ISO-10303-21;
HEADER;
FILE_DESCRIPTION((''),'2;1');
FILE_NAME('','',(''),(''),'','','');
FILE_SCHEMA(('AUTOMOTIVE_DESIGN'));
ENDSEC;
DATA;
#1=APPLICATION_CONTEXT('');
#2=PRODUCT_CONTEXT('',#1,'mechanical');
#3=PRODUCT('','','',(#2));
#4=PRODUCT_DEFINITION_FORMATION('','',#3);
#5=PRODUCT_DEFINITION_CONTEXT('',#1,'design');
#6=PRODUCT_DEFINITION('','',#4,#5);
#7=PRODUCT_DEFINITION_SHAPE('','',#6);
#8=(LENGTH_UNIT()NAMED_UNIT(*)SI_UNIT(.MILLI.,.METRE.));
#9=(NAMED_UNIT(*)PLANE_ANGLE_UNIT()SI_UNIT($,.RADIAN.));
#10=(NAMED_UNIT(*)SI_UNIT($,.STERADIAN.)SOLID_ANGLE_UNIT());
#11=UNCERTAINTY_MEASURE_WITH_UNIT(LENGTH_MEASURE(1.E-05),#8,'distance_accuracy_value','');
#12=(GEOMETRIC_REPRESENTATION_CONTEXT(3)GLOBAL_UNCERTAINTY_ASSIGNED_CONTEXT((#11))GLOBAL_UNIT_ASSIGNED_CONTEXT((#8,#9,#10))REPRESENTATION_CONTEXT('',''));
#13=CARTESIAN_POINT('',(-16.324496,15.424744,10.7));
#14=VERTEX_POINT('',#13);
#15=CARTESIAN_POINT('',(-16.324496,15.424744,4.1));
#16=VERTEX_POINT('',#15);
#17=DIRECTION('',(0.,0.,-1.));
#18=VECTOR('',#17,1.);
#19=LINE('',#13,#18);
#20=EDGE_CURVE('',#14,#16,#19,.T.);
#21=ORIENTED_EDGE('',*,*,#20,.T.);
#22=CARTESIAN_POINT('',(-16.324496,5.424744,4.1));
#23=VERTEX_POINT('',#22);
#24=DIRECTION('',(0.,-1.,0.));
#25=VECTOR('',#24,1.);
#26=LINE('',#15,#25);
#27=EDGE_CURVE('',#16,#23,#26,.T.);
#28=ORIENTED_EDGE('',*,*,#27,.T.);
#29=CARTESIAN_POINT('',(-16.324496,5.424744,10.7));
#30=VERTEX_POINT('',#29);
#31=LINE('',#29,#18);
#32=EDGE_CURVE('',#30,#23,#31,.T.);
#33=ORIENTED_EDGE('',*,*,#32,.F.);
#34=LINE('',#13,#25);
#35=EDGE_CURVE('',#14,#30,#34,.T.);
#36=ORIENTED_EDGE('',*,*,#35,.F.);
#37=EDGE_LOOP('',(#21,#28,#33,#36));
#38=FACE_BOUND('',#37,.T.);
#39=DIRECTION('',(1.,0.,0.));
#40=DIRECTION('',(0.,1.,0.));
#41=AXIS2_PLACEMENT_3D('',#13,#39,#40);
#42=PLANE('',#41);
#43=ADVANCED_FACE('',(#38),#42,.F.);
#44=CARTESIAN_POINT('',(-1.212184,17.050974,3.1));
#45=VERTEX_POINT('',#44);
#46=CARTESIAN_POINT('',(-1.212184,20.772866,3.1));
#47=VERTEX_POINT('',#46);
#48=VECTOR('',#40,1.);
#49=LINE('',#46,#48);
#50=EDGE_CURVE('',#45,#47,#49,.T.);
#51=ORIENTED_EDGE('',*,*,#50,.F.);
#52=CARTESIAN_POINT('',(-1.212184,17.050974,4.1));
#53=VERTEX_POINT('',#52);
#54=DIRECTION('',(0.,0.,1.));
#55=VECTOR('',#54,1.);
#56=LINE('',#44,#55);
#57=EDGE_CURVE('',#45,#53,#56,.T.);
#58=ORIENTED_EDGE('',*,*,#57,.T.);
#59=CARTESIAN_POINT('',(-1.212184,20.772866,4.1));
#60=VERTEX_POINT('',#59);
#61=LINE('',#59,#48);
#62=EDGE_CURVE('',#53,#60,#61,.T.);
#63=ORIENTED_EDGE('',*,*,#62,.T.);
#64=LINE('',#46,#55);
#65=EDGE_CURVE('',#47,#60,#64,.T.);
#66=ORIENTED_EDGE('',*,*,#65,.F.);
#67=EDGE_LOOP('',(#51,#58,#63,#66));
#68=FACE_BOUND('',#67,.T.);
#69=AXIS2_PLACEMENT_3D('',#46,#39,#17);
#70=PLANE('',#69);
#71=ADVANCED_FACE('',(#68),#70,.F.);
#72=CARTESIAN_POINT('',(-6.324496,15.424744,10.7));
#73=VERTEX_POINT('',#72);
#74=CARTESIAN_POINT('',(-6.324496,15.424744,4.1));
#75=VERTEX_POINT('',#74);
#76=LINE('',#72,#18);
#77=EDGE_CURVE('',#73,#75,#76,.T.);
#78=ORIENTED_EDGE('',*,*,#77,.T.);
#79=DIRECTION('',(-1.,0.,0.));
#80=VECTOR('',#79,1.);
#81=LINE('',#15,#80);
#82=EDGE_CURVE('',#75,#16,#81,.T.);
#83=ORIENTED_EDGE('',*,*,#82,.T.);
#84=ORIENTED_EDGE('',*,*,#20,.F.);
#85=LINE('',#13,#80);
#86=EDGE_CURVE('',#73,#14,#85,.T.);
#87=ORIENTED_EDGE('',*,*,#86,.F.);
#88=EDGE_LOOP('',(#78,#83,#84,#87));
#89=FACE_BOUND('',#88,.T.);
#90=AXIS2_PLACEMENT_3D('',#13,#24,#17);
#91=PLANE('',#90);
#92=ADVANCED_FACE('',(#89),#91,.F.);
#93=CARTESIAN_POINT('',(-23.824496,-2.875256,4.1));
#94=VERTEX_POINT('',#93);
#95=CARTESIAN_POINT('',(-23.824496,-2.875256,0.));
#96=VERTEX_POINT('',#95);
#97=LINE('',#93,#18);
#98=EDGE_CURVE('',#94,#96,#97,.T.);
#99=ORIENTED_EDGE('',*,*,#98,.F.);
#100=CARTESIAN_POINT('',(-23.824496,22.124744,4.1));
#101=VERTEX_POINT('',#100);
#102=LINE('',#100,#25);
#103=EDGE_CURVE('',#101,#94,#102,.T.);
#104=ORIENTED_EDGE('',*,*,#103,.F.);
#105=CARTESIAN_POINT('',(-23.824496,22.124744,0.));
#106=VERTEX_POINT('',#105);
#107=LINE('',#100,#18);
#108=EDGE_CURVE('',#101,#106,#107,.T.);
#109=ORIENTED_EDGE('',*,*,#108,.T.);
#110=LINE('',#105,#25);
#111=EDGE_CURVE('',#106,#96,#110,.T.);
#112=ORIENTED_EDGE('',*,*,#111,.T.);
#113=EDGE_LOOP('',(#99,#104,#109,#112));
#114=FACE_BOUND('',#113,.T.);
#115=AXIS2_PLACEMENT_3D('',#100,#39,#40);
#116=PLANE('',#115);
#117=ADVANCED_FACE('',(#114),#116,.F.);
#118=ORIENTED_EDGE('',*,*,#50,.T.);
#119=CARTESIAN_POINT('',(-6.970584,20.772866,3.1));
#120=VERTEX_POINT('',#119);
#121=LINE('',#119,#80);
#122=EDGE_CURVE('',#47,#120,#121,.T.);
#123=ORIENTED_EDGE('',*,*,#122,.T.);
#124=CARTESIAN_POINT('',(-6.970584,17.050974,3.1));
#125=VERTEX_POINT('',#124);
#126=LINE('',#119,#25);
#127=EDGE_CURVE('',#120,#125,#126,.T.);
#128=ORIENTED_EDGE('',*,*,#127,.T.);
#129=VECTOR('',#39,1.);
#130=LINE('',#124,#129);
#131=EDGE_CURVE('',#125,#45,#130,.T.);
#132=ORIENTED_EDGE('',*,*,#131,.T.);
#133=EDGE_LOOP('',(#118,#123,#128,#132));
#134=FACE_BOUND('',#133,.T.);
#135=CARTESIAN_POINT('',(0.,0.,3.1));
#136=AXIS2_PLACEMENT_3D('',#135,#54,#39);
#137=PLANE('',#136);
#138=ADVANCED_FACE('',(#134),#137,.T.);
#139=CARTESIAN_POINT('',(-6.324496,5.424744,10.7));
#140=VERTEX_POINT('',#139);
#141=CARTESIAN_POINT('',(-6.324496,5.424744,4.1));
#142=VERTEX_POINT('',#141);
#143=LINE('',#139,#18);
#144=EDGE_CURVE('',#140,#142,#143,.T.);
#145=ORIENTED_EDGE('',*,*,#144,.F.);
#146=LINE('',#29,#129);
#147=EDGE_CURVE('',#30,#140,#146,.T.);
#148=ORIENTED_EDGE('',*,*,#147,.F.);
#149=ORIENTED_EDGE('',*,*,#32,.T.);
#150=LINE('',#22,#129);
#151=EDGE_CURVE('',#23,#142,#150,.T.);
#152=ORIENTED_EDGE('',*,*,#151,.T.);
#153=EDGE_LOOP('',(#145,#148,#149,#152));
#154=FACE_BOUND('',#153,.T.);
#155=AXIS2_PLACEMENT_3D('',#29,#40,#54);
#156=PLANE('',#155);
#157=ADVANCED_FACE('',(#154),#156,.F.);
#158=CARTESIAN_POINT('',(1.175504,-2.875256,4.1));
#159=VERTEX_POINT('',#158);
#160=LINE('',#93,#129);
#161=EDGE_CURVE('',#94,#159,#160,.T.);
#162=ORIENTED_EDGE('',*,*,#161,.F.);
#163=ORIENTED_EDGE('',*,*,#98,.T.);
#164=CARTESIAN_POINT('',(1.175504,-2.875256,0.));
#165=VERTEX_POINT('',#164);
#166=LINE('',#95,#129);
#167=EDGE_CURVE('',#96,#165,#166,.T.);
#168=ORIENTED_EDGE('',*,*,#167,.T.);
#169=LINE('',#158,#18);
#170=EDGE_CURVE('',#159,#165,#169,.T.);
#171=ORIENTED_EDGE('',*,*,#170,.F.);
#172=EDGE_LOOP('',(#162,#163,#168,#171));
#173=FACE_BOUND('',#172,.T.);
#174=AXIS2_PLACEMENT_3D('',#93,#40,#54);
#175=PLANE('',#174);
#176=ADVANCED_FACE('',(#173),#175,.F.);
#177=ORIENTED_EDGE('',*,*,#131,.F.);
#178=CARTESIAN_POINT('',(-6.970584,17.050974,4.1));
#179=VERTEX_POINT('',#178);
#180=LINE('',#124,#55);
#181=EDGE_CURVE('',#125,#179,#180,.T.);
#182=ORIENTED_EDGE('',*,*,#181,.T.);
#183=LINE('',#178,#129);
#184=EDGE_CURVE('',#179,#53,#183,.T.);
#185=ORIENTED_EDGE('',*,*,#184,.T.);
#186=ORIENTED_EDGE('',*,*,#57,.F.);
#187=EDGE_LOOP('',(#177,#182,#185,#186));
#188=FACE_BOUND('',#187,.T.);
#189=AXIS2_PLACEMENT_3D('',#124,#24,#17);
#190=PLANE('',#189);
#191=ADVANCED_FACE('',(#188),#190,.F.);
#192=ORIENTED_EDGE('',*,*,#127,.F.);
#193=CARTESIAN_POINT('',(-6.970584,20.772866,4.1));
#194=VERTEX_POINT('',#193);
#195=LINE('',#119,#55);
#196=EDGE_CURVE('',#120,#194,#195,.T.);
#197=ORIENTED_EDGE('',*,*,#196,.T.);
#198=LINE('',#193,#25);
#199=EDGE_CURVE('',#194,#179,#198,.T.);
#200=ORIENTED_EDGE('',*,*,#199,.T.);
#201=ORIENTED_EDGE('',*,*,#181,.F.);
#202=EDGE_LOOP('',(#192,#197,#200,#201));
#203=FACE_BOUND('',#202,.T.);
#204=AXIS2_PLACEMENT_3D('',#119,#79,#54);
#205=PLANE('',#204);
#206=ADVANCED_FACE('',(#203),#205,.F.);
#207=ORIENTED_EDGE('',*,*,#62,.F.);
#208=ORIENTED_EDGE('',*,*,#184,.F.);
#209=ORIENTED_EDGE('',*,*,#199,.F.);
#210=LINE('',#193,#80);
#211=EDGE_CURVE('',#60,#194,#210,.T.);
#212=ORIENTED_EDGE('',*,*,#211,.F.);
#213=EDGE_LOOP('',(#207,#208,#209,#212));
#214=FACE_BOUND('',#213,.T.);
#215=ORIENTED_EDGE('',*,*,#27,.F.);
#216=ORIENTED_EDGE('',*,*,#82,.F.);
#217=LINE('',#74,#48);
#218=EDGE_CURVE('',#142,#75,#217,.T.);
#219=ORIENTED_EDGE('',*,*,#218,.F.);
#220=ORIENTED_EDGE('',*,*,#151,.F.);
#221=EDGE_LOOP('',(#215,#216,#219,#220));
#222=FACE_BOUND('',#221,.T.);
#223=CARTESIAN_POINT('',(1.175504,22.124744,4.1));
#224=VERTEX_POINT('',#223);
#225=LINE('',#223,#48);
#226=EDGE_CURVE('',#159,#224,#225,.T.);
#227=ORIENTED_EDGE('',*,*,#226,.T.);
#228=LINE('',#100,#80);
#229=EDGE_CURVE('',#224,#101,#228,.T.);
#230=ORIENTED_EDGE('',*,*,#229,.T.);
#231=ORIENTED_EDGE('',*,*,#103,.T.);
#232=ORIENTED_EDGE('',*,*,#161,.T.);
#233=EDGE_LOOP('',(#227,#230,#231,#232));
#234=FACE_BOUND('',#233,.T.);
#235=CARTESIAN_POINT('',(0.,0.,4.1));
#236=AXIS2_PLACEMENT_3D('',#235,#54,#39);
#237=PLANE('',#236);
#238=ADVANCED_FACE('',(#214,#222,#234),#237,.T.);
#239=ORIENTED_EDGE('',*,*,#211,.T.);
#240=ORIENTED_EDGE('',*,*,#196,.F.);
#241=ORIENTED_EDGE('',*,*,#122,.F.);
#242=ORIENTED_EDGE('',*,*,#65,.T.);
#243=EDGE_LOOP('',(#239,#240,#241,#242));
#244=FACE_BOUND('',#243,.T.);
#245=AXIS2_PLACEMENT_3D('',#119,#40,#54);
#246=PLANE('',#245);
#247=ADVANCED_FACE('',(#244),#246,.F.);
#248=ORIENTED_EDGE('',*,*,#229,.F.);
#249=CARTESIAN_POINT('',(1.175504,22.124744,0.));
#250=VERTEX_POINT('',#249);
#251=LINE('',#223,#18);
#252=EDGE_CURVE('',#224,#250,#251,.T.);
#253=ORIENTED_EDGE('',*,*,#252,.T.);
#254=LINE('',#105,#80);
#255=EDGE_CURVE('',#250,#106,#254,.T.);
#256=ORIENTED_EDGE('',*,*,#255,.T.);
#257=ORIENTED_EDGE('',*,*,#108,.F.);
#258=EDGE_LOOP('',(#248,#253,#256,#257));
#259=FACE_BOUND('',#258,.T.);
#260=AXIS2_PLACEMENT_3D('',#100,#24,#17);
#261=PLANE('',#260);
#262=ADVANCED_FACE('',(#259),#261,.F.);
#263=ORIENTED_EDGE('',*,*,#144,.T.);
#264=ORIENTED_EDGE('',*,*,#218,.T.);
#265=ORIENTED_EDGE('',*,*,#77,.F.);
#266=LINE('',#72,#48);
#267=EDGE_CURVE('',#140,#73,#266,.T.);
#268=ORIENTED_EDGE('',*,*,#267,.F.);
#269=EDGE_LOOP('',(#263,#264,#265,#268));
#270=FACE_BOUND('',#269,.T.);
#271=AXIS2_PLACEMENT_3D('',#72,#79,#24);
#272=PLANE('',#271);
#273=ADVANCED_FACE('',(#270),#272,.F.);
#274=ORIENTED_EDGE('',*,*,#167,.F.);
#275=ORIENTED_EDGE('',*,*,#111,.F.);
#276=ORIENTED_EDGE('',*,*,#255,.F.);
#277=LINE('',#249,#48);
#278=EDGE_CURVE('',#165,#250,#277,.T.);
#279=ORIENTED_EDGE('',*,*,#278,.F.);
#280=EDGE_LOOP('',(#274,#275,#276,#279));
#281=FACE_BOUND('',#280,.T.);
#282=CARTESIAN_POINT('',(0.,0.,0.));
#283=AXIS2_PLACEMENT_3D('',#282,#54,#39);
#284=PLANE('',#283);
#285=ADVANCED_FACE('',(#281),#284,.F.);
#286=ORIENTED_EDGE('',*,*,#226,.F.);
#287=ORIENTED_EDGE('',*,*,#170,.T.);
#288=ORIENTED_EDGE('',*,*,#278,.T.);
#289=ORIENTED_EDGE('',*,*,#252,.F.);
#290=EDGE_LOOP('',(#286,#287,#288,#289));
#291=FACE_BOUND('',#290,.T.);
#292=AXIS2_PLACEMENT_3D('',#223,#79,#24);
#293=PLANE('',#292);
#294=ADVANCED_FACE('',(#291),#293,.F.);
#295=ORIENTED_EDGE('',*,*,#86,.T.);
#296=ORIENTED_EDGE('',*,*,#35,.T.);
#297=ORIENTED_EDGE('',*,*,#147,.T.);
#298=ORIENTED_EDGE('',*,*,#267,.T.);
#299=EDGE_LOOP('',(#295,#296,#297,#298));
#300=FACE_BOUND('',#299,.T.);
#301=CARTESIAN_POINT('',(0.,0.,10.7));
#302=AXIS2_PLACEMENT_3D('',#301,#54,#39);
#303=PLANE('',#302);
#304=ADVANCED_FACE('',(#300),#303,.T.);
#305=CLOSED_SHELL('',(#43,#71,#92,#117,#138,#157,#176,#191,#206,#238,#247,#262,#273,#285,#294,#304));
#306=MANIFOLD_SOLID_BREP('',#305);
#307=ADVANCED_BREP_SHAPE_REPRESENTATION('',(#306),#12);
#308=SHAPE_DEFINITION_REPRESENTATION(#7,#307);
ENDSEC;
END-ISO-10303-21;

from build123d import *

# Parameters (mm, degrees)
SKETCH_1_W          = 25
SKETCH_1_H          = 25
EXTRUDE_1_DEPTH     = 4.1
SKETCH_2_W          = 10
SKETCH_2_H          = 10
EXTRUDE_2_DEPTH     = 6.6
SKETCH_3_W          = 5.758400008
SKETCH_3_H          = 3.721892688
CUT_EXTRUDE_1_DEPTH = 1


with BuildPart() as part:
    # 草图1 → 凸台-拉伸1 (new body)
    with BuildSketch(Plane.XY):
        with Locations((-11.324496329, 9.624744468)):
            Rectangle(SKETCH_1_W, SKETCH_1_H)
    extrude(amount=EXTRUDE_1_DEPTH)

    # 草图2 → 凸台-拉伸2 (add)
    with BuildSketch(Plane.XY.offset(4.1)):
        with Locations((-11.324496329, 10.424744468)):
            Rectangle(SKETCH_2_W, SKETCH_2_H)
    extrude(amount=EXTRUDE_2_DEPTH)

    # 草图3 → 切除-拉伸1 (cut)
    with BuildSketch(Plane.XY.offset(4.1)):
        with Locations((-4.091384125, 18.91192009)):
            Rectangle(SKETCH_3_W, SKETCH_3_H)
    extrude(amount=-CUT_EXTRUDE_1_DEPTH, mode=Mode.SUBTRACT)


solid = part.part
